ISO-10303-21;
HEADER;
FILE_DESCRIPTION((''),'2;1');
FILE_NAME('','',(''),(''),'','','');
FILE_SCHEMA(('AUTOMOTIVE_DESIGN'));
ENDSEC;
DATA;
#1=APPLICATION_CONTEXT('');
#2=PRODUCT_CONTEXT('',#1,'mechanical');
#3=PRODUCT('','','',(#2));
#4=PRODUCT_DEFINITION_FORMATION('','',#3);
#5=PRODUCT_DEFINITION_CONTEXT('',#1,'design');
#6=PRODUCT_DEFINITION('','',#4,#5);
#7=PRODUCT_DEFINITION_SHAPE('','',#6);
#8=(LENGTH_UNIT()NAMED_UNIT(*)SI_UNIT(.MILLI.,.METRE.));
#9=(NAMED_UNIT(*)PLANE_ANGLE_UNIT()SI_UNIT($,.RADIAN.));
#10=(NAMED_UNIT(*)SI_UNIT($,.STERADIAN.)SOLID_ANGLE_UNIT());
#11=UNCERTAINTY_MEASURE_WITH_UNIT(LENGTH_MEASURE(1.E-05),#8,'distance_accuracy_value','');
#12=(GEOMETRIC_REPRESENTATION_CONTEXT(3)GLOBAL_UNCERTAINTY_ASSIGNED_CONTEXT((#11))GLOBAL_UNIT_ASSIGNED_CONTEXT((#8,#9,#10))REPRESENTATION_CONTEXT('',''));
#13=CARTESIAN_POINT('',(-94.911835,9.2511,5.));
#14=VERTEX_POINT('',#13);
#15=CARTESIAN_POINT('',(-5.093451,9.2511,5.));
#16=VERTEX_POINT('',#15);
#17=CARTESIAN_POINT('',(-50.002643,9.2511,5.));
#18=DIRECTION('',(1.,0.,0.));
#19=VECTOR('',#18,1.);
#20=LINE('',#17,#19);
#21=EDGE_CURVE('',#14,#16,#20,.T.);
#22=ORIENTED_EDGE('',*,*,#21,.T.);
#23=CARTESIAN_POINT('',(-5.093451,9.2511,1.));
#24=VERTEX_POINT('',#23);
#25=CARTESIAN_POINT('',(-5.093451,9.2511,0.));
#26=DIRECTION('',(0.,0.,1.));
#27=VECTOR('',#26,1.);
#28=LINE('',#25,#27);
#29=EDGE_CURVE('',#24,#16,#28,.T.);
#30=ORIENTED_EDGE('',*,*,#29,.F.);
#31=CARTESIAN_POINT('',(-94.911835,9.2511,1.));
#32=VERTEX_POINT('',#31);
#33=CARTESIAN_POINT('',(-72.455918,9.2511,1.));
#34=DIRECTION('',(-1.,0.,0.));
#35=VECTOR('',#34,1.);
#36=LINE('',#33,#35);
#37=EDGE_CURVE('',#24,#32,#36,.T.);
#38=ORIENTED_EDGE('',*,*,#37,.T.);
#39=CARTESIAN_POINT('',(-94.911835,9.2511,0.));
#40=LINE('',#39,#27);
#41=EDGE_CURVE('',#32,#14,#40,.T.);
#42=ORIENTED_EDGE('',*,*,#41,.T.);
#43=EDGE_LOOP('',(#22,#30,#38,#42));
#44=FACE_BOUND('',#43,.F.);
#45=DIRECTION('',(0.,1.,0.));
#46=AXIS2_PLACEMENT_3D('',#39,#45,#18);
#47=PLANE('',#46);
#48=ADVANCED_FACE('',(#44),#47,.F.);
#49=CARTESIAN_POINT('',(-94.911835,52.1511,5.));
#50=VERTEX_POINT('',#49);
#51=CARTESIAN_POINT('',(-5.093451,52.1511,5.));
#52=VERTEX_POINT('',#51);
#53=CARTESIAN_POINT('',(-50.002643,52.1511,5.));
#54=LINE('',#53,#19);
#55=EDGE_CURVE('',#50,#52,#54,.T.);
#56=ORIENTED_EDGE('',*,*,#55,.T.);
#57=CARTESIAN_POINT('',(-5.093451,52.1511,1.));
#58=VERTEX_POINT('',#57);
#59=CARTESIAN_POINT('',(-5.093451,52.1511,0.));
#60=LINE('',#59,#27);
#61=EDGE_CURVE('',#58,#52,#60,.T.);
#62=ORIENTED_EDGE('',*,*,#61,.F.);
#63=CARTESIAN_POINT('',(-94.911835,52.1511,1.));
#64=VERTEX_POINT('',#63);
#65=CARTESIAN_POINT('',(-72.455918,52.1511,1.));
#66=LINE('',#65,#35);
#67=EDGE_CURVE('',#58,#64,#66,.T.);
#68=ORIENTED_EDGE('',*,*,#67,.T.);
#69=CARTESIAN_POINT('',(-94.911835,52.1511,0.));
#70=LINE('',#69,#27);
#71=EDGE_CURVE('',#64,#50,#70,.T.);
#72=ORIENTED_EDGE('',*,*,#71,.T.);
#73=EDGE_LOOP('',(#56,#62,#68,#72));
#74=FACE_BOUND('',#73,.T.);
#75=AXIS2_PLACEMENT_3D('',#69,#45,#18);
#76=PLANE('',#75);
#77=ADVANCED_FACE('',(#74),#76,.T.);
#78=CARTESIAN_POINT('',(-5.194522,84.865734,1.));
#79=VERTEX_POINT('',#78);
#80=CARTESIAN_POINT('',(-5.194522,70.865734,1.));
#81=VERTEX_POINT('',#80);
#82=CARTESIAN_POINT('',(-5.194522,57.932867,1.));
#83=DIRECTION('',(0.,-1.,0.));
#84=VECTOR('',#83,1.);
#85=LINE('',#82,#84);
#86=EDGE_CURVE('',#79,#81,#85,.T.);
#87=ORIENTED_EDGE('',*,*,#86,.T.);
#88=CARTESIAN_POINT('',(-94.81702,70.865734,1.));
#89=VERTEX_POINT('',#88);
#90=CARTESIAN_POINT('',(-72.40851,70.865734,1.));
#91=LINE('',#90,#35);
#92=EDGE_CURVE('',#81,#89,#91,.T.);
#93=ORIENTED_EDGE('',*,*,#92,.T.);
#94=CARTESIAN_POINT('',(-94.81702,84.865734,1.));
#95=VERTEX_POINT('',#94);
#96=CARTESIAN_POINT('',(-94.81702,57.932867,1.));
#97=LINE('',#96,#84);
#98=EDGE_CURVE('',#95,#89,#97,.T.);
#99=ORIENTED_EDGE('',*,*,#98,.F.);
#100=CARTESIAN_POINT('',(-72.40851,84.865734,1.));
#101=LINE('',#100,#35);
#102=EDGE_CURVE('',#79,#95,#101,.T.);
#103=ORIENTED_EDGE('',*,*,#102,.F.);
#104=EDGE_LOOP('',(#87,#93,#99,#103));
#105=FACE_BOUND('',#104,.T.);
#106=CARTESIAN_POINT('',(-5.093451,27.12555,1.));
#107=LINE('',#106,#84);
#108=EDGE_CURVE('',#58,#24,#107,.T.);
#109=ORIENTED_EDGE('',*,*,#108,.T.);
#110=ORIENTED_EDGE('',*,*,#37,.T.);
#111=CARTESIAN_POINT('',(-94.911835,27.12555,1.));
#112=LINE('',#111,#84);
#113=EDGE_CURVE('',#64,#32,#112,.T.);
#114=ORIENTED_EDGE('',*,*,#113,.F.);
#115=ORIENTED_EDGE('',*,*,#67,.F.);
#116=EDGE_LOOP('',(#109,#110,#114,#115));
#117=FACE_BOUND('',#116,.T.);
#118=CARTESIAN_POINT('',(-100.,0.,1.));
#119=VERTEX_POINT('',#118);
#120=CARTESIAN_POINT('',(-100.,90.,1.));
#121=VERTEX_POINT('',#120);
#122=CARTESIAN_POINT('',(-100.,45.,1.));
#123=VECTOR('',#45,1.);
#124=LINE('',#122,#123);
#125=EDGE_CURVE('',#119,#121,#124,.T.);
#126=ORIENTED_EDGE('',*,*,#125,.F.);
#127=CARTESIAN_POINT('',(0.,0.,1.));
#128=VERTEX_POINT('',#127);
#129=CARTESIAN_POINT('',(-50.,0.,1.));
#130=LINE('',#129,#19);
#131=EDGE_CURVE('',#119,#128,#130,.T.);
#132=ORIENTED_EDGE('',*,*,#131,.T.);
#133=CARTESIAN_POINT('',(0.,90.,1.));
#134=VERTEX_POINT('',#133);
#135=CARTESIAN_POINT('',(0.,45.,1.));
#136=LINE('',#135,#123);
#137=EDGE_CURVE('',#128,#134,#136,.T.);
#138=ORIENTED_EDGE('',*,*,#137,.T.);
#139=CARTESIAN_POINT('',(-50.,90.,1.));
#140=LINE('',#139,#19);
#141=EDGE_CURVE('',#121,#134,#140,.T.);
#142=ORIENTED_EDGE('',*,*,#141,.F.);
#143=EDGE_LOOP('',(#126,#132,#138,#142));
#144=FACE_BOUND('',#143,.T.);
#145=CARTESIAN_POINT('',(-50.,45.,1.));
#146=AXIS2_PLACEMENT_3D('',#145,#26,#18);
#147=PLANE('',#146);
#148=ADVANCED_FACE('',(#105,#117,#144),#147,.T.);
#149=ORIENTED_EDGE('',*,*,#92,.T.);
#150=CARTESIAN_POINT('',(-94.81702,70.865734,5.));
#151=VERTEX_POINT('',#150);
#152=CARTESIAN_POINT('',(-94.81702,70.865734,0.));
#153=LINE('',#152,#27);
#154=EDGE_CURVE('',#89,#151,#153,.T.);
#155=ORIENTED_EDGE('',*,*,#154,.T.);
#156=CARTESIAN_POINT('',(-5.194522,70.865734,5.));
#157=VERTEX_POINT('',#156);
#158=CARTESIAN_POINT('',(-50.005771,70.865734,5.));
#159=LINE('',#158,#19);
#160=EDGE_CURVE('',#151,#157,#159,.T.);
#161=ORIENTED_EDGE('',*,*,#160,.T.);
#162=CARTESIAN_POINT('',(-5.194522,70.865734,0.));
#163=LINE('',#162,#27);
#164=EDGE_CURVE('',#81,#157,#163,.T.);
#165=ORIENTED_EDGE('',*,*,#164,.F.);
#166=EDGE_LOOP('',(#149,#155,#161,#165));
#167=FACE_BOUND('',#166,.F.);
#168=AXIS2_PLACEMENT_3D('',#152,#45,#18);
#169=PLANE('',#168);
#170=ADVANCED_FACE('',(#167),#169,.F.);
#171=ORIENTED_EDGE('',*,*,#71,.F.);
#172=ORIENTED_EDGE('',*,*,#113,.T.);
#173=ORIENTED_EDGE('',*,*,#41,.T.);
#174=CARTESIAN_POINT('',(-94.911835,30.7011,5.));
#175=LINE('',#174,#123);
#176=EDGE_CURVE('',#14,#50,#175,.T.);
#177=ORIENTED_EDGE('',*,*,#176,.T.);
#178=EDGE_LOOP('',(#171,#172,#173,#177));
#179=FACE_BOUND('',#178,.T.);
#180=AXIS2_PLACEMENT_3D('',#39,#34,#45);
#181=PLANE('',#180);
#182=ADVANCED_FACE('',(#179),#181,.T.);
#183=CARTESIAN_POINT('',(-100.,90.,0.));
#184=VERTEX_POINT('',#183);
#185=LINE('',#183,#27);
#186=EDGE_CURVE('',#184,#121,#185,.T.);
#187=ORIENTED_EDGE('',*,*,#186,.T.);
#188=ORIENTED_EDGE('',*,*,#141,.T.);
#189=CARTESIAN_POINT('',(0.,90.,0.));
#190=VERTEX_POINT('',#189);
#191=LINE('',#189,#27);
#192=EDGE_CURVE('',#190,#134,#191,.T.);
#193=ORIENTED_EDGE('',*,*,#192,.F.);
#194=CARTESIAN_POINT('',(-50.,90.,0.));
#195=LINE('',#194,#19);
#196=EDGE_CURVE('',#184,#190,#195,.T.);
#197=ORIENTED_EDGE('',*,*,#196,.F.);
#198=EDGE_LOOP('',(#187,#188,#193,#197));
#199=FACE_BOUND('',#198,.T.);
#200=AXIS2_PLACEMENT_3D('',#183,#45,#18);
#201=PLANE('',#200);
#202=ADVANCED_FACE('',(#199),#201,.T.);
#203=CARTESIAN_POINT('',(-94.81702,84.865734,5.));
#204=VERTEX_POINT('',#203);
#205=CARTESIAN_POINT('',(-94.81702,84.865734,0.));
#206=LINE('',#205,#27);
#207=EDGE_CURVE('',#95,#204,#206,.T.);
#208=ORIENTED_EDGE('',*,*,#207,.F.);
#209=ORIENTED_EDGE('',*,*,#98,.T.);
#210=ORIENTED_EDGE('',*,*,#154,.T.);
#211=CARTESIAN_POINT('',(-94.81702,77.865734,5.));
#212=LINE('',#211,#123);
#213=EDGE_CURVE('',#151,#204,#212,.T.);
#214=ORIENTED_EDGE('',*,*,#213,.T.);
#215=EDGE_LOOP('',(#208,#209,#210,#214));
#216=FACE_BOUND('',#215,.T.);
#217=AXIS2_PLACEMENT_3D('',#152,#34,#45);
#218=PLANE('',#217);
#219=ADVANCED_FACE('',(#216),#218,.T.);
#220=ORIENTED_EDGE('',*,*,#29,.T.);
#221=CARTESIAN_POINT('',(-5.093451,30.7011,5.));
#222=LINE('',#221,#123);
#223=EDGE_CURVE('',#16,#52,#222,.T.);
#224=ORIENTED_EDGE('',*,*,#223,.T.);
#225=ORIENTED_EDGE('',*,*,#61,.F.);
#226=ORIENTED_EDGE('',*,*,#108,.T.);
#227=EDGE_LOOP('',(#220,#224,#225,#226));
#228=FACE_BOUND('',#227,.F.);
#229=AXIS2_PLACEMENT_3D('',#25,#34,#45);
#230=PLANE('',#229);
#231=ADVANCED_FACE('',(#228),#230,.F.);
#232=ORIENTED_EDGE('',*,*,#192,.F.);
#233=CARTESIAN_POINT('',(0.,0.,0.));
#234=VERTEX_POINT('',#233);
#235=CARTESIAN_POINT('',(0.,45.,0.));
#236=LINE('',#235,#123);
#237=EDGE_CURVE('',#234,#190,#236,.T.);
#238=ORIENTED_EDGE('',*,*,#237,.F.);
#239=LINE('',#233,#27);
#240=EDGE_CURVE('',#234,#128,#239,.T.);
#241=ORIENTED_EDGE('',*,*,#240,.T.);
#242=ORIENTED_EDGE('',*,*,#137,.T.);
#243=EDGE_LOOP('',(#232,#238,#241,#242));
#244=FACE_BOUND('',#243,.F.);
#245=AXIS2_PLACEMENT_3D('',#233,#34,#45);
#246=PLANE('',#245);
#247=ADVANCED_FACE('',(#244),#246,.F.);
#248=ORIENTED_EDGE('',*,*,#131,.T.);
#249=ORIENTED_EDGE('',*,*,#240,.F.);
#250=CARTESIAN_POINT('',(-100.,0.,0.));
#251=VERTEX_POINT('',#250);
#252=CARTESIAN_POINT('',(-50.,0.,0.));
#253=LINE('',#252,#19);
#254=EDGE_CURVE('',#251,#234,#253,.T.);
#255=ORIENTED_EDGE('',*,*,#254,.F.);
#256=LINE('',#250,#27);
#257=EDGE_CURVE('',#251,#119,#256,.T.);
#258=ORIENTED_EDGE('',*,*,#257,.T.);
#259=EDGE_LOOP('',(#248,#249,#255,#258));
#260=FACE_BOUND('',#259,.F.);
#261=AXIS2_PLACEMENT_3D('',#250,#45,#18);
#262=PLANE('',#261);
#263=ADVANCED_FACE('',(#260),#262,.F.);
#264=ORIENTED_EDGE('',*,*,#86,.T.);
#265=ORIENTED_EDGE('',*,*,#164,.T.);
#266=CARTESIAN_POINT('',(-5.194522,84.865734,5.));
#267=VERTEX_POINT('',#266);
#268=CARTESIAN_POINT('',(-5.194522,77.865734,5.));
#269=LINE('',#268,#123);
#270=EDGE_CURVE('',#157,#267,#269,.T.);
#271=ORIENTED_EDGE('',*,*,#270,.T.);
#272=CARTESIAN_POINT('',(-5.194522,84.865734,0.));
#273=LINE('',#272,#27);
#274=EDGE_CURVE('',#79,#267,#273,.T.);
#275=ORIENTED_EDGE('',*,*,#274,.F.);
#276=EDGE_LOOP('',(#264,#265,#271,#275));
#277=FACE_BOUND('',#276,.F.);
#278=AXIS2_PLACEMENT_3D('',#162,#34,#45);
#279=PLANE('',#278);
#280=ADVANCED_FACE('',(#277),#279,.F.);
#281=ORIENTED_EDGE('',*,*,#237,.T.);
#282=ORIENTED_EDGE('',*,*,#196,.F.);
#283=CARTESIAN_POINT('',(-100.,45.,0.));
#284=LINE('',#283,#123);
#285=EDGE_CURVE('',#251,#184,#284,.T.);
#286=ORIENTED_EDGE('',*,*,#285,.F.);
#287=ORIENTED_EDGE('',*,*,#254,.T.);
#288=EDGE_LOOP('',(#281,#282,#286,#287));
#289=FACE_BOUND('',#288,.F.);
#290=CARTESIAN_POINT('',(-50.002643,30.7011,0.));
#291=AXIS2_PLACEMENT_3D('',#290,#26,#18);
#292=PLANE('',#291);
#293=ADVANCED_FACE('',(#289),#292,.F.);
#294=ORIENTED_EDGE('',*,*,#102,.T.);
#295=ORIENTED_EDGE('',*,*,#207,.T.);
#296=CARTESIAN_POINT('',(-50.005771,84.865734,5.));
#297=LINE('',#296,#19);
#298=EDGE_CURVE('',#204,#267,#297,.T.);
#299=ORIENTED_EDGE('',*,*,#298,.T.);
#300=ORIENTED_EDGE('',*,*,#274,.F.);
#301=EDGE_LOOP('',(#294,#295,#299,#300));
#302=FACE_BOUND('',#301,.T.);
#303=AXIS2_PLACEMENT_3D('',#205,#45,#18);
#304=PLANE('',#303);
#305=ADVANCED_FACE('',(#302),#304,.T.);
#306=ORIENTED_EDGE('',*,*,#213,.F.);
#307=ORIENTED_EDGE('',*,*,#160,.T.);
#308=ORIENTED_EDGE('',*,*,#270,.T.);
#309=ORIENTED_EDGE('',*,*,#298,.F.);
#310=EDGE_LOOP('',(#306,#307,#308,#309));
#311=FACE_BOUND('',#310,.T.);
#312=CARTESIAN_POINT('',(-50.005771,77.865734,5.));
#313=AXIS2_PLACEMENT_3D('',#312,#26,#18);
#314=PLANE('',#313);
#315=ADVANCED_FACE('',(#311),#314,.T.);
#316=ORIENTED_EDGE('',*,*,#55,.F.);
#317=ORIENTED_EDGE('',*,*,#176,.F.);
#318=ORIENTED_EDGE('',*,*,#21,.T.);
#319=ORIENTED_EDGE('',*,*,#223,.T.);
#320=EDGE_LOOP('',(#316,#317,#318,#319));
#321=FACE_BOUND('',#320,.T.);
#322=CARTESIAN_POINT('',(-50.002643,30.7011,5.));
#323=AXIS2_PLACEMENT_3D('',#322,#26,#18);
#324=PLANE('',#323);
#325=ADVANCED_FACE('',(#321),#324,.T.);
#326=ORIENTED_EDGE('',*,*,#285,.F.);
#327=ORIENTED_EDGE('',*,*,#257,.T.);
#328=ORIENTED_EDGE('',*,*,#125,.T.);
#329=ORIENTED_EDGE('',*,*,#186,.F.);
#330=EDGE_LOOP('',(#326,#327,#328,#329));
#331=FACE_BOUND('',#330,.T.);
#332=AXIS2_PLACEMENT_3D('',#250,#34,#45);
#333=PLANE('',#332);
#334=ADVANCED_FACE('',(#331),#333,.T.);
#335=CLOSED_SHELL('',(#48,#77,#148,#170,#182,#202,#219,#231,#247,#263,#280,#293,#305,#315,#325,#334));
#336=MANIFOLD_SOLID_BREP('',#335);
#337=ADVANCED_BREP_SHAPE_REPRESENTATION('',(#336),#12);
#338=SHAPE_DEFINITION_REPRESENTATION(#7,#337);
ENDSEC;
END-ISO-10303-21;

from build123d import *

# Parameters (mm, degrees)
F0_W     = 100
F0_H     = 90
F1_DEPTH = 1
F2_W     = 89.622498
F2_H     = 14
F3_DEPTH = 5
F4_W     = 89.818385
F4_H     = 42.9
F5_DEPTH = 5


with BuildPart() as f1:
    # F0 (on Top) → F1 (new body)
    with BuildSketch(Plane.XY):
        with Locations((-50, 45)):
            Rectangle(F0_W, F0_H)
    extrude(amount=F1_DEPTH)

    # F2 (on Top) → F3 (join)
    with BuildSketch(Plane.XY):
        with Locations((-50.005771, 77.865734)):
            Rectangle(F2_W, F2_H)
    extrude(amount=F3_DEPTH)

    # F4 (on Top) → F5 (join)
    with BuildSketch(Plane.XY):
        with Locations((-50.002643, 30.7011)):
            Rectangle(F4_W, F4_H)
    extrude(amount=F5_DEPTH)


solid = f1.part
